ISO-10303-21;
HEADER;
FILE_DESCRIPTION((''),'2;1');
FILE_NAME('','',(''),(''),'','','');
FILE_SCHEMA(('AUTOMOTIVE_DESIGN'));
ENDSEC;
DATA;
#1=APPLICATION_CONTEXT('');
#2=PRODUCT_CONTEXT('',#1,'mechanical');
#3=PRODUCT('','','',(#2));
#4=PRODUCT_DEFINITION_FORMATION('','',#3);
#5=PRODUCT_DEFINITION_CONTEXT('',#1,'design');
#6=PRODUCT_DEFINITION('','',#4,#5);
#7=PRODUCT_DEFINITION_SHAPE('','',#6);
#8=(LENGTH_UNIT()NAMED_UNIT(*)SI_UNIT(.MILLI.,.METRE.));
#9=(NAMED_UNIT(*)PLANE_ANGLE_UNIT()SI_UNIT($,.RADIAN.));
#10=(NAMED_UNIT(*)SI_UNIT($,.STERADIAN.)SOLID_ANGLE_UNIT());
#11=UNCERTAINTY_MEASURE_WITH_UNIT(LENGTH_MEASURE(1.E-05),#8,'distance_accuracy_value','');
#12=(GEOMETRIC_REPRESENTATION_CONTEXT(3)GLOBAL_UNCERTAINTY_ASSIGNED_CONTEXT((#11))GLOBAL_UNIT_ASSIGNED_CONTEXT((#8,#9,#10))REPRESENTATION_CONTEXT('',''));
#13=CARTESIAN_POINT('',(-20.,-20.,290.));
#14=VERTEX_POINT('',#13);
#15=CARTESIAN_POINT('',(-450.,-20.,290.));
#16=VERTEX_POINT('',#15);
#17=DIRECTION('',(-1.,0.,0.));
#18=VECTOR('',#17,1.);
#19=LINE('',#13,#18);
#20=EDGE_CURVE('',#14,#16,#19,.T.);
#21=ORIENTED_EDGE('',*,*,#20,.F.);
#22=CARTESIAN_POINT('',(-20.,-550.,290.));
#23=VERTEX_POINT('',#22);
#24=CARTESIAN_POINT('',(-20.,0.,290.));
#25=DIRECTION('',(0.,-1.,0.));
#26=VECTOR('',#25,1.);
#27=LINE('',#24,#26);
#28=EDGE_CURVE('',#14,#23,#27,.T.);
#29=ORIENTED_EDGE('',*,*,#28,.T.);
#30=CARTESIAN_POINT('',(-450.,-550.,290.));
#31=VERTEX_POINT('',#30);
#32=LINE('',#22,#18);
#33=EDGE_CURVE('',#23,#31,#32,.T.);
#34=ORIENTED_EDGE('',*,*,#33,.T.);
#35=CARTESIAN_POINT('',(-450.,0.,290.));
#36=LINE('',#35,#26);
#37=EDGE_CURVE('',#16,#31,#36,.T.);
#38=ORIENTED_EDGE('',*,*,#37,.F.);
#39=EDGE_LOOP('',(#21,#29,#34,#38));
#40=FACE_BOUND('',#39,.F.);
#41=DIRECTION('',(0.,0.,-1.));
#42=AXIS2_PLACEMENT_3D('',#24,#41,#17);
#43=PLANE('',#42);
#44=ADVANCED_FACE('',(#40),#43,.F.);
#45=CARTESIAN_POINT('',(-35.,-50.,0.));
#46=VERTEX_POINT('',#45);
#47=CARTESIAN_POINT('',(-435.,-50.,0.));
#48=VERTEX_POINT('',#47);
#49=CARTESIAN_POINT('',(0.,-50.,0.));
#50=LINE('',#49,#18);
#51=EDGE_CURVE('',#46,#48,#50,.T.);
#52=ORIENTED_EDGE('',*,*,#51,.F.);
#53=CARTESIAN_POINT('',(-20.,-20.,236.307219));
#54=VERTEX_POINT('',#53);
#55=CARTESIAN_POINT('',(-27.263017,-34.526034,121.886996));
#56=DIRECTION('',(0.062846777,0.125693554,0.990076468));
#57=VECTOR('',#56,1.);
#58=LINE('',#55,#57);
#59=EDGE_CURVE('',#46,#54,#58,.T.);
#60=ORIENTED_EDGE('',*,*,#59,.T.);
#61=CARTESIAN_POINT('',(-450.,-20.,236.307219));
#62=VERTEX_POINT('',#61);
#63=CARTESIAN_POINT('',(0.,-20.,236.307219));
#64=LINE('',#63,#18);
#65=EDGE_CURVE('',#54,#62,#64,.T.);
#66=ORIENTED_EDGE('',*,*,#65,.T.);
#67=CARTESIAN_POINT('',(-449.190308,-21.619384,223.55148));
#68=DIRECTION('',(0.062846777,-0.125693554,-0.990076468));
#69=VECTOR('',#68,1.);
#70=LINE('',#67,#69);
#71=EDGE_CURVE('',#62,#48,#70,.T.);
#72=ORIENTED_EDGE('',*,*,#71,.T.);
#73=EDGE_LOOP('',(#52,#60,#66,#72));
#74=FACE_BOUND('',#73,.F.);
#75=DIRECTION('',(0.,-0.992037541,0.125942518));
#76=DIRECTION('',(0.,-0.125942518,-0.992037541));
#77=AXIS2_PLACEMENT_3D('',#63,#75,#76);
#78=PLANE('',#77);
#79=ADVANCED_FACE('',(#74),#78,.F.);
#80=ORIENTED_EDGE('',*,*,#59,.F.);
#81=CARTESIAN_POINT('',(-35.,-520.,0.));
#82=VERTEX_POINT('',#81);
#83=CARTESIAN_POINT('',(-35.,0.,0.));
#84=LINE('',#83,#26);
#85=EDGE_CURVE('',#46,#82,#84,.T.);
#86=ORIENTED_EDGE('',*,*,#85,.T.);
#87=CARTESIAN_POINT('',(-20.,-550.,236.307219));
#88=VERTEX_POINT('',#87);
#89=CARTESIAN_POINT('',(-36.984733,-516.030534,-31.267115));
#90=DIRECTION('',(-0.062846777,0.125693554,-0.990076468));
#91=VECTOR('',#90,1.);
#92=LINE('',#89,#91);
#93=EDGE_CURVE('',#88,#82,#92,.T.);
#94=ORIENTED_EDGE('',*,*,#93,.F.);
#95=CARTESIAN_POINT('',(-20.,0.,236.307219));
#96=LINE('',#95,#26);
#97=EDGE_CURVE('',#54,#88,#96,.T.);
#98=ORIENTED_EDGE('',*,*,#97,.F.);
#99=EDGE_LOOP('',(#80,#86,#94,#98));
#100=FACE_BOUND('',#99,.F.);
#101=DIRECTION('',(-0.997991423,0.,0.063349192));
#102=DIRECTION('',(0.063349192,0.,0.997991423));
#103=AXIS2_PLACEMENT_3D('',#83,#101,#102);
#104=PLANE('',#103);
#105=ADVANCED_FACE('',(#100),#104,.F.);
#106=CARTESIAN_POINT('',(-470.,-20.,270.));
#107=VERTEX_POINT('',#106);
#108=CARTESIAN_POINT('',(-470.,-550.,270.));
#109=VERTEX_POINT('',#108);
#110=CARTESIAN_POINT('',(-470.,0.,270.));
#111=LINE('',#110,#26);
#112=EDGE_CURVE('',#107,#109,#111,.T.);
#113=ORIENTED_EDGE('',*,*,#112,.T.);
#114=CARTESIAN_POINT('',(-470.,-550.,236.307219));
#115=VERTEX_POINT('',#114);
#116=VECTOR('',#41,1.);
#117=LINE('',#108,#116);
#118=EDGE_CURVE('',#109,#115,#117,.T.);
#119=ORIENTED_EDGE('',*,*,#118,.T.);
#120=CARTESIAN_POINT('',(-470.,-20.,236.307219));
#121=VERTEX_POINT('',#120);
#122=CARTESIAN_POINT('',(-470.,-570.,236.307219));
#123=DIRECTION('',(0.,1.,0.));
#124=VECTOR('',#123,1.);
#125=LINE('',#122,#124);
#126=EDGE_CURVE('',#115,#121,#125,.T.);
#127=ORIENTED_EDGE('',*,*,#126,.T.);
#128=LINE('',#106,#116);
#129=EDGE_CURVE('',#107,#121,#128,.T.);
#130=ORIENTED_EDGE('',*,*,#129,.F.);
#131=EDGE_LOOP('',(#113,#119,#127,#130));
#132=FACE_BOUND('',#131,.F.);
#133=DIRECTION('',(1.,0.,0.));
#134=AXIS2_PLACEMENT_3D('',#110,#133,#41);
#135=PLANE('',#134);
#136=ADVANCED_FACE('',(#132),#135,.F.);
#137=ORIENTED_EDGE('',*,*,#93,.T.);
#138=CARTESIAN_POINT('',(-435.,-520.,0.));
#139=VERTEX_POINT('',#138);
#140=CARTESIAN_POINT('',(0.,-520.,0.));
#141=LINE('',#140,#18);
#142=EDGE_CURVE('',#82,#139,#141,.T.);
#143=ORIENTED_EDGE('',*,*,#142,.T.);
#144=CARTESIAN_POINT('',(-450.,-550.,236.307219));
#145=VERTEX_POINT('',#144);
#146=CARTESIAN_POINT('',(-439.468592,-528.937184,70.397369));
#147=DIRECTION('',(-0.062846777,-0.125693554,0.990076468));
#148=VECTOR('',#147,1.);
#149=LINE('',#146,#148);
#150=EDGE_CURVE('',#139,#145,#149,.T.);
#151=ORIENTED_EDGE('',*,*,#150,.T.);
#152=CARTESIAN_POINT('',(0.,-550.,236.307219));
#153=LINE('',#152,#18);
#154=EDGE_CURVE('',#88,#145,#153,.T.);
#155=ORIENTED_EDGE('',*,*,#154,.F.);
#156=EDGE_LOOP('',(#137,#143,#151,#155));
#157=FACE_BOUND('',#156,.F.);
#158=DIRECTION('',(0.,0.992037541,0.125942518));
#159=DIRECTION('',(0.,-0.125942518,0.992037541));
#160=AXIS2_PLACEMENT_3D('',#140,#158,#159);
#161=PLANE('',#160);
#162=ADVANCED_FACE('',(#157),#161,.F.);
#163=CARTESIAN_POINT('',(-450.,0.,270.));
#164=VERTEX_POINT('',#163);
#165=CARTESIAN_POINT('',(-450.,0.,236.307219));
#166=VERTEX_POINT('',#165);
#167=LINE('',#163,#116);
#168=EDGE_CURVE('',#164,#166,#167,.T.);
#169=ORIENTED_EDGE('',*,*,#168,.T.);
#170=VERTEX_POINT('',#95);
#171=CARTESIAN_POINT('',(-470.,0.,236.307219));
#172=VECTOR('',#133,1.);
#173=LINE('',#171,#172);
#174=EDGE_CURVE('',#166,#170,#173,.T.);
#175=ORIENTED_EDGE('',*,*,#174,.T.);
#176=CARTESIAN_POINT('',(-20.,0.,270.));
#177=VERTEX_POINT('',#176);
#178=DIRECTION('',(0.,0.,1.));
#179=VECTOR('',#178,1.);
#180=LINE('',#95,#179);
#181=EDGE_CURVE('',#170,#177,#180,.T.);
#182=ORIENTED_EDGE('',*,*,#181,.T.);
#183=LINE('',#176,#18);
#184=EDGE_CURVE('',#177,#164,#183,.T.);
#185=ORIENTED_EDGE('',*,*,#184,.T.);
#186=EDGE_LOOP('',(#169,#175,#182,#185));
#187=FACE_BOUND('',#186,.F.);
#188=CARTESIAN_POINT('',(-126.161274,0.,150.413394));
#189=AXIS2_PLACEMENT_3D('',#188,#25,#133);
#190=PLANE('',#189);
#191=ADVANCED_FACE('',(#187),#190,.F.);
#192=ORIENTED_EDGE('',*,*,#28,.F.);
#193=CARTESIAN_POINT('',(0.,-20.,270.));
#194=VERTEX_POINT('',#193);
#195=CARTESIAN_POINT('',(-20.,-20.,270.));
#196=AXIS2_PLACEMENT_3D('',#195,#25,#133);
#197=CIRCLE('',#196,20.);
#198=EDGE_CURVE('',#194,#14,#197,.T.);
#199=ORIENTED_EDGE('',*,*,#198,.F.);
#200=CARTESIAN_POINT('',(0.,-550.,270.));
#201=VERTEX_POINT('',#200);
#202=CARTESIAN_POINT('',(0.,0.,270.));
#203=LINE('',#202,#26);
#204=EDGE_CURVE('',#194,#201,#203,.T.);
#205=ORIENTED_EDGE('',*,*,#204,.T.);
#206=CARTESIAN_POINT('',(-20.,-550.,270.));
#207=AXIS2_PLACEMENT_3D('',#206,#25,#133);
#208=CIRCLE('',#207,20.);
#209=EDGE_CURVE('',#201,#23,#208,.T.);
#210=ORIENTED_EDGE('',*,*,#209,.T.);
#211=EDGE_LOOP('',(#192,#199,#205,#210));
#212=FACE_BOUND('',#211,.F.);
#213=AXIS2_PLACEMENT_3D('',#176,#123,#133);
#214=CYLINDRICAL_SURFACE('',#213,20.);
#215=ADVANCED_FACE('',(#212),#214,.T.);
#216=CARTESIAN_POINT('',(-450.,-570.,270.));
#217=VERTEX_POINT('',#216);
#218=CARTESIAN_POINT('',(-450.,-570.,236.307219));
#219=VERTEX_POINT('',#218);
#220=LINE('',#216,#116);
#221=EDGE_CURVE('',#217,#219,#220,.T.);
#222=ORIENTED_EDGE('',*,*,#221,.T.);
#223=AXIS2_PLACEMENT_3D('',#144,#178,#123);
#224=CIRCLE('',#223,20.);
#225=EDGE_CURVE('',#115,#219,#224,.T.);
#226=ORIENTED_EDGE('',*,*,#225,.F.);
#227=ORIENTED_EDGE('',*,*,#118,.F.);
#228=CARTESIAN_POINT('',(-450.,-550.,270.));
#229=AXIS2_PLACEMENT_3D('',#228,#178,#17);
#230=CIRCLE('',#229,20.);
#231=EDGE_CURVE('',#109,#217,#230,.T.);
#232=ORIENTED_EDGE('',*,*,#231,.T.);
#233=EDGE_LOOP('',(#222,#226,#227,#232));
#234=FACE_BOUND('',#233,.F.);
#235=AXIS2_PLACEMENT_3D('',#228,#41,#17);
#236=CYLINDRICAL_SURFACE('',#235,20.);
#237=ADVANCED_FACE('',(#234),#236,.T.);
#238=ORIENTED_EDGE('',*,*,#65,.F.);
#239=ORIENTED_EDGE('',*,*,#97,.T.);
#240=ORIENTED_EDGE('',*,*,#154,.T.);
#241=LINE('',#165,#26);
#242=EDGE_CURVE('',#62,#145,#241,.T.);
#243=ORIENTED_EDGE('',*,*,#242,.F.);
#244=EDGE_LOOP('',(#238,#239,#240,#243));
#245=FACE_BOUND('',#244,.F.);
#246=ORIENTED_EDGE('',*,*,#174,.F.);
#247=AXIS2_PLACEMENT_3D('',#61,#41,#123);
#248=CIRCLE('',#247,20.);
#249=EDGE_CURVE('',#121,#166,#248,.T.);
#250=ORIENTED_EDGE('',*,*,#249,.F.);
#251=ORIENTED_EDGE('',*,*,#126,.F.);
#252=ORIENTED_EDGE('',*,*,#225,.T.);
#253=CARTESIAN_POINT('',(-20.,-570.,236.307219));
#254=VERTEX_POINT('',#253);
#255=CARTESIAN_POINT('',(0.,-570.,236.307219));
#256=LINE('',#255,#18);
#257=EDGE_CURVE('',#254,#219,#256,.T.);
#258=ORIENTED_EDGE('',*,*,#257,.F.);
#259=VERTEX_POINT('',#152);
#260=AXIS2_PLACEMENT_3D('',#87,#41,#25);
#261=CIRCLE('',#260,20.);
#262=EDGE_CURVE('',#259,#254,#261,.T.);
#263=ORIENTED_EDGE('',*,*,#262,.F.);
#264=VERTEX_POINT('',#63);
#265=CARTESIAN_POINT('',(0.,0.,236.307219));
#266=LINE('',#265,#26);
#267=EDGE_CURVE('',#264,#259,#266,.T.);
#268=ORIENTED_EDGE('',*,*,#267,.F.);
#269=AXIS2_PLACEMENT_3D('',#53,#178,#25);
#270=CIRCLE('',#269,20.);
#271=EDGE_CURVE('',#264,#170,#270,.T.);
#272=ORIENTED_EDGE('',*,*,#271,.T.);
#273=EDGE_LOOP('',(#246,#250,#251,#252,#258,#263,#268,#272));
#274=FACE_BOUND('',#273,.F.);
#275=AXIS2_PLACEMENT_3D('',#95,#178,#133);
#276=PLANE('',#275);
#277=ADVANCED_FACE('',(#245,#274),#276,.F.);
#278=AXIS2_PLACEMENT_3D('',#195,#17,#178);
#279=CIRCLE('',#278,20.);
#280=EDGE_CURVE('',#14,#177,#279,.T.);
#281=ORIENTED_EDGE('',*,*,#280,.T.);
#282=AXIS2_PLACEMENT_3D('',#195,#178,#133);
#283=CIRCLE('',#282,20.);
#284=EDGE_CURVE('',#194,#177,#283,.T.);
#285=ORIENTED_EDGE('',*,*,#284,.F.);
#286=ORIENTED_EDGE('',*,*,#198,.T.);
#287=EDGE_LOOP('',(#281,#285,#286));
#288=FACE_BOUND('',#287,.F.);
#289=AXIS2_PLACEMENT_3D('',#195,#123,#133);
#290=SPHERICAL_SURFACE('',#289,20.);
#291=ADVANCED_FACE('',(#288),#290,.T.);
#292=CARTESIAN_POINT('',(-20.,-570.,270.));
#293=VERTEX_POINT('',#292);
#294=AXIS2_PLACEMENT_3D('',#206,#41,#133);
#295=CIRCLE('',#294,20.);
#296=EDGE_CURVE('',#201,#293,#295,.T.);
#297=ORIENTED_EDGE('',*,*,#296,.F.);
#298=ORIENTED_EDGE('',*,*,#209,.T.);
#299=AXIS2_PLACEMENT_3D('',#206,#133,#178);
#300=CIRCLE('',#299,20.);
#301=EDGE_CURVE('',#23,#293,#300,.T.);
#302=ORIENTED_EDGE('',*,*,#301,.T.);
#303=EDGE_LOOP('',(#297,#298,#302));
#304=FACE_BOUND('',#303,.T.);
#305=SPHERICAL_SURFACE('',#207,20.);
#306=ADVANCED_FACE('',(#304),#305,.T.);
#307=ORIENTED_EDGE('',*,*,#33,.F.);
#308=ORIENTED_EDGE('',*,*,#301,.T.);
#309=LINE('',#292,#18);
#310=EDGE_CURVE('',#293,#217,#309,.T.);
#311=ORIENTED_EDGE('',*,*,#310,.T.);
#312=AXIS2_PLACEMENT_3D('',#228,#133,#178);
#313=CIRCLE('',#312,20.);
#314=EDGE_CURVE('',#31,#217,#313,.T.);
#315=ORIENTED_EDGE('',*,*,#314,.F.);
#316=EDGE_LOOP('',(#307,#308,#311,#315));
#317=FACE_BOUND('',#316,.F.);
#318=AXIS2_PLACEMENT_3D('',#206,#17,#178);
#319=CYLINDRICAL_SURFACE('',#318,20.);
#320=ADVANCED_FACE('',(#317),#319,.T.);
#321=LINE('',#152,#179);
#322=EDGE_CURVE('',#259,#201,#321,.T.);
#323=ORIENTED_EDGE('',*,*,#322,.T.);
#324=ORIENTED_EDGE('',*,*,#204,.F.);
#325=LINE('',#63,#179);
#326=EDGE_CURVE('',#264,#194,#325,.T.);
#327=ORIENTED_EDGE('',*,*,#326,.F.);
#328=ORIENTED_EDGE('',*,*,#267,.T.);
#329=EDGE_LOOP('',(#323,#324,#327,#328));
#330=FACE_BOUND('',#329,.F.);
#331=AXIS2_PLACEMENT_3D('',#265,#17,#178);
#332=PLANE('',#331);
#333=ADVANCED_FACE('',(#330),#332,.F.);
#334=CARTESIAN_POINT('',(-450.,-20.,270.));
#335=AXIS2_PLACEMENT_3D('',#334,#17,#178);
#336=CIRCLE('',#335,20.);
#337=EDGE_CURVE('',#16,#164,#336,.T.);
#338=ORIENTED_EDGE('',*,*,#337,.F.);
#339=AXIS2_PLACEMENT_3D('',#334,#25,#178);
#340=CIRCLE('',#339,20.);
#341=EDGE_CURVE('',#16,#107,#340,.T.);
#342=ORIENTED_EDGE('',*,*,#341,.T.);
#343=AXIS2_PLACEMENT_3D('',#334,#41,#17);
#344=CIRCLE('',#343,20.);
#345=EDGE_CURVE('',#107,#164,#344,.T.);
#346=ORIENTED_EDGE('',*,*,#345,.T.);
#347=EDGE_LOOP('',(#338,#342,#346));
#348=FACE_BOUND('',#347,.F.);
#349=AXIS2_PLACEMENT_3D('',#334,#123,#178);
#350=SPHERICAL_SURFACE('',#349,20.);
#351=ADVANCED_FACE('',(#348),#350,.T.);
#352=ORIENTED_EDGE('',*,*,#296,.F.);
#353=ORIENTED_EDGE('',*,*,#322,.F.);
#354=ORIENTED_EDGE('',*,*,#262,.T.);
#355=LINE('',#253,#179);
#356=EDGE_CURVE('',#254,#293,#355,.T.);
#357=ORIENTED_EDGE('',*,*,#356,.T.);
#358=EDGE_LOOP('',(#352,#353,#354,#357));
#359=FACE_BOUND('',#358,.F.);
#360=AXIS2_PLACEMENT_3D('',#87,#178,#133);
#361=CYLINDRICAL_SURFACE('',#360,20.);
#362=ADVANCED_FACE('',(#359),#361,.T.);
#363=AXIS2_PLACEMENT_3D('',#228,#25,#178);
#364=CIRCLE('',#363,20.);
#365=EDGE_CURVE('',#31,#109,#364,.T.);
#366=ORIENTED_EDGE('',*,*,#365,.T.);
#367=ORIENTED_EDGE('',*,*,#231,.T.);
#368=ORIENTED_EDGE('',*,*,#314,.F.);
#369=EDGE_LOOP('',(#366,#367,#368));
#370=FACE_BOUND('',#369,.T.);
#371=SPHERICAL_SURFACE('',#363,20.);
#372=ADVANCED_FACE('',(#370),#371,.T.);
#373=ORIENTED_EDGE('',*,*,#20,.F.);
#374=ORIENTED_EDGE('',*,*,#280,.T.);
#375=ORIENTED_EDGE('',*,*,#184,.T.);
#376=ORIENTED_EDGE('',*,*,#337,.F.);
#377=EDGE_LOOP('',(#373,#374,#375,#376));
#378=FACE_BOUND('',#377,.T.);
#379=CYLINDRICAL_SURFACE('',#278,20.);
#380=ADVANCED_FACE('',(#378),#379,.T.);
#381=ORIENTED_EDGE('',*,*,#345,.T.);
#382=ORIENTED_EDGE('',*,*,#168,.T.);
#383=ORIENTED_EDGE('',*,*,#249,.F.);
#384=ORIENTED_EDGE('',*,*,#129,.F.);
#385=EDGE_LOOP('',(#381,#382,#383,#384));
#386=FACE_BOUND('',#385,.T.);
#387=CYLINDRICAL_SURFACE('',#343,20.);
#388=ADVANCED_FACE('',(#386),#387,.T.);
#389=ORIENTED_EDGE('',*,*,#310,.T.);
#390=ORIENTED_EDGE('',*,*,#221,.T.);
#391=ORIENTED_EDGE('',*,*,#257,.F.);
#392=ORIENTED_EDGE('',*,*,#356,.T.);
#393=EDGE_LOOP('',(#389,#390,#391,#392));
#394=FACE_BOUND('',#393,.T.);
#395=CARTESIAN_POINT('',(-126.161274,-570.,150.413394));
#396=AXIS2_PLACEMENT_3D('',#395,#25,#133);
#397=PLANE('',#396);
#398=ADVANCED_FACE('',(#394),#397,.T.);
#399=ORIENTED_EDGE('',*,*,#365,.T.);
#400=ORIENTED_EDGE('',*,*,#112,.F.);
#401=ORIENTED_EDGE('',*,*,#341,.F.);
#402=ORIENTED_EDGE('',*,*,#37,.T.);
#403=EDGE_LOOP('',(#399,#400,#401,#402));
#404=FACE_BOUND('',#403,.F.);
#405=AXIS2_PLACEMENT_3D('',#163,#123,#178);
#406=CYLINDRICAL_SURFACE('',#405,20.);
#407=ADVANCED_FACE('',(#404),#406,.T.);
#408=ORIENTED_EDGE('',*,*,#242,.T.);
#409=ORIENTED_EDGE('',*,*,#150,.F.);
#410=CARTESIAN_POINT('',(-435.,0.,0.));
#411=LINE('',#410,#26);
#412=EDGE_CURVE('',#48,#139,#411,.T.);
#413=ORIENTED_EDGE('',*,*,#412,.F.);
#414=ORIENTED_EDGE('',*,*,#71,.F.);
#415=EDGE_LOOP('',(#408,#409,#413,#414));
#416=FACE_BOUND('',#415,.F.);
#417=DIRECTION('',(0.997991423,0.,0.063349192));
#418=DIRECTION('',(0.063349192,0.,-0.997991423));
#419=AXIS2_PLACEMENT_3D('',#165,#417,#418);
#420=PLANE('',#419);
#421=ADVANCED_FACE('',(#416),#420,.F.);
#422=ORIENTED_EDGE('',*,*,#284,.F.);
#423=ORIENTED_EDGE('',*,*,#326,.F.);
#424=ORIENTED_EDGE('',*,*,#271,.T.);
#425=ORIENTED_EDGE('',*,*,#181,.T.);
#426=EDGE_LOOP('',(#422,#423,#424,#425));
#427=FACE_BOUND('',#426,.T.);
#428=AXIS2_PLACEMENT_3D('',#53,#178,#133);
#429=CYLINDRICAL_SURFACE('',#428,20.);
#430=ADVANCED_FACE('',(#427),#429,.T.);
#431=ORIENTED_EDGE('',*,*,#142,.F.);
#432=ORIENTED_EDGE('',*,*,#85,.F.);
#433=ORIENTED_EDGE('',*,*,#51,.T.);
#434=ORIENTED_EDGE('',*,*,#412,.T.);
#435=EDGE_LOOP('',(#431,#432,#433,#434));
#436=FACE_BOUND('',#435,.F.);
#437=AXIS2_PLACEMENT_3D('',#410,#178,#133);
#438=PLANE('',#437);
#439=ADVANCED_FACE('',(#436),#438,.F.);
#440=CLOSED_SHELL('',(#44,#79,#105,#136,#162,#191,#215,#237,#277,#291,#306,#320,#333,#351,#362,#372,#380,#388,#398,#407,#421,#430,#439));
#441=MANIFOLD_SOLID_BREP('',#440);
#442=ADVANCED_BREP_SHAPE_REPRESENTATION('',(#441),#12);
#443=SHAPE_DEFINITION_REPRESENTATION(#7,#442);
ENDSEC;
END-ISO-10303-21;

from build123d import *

# Parameters (mm, degrees)
F1_DEPTH = 570
F3_DEPTH = 470.001
F4_R     = 20


with BuildPart() as f1:
    # F0 (on Front) → F1 (new body)
    with BuildSketch(Plane.XZ):
        with BuildLine():
            Line((-235, 0), (-35, 0))
            Line((-35, 0), (-20, 236.3072186708))
            Line((-20, 236.3072186708), (0, 236.3072186708))
            Line((0, 236.3072186708), (0, 270))
            ThreePointArc((0, 270), (-5.8578643763, 284.1421356237), (-20, 290))
            Line((-20, 290), (-235, 290))
            Line((-235, 290), (-235, 0))
        make_face()
        with BuildLine():
            Line((-435, 0), (-235, 0))
            Line((-235, 0), (-235, 290))
            Line((-235, 290), (-450, 290))
            ThreePointArc((-450, 290), (-464.1421356237, 284.1421356237), (-470, 270))
            Line((-470, 270), (-470, 236.3072186708))
            Line((-470, 236.3072186708), (-450, 236.3072186708))
            Line((-450, 236.3072186708), (-435, 0))
        make_face()
    extrude(amount=F1_DEPTH)

    # F2 (on Right) → F3 (cut, through all)
    with BuildSketch(Plane.YZ):
        Polygon((-50, 0), (0, 0), (0, 236.3072186708), (-20, 236.3072186708), align=None)
        Polygon((-570, 0), (-520, 0), (-550, 236.3072186708), (-570, 236.3072186708), align=None)
    extrude(amount=-F3_DEPTH, mode=Mode.SUBTRACT)

    # F4
    f4_edges = [f1.edges().sort_by_distance(p)[0] for p in [
        (-235, -570, 290),
        (-235, 0, 290),
    ]]
    fillet(f4_edges, radius=F4_R)


solid = f1.part
